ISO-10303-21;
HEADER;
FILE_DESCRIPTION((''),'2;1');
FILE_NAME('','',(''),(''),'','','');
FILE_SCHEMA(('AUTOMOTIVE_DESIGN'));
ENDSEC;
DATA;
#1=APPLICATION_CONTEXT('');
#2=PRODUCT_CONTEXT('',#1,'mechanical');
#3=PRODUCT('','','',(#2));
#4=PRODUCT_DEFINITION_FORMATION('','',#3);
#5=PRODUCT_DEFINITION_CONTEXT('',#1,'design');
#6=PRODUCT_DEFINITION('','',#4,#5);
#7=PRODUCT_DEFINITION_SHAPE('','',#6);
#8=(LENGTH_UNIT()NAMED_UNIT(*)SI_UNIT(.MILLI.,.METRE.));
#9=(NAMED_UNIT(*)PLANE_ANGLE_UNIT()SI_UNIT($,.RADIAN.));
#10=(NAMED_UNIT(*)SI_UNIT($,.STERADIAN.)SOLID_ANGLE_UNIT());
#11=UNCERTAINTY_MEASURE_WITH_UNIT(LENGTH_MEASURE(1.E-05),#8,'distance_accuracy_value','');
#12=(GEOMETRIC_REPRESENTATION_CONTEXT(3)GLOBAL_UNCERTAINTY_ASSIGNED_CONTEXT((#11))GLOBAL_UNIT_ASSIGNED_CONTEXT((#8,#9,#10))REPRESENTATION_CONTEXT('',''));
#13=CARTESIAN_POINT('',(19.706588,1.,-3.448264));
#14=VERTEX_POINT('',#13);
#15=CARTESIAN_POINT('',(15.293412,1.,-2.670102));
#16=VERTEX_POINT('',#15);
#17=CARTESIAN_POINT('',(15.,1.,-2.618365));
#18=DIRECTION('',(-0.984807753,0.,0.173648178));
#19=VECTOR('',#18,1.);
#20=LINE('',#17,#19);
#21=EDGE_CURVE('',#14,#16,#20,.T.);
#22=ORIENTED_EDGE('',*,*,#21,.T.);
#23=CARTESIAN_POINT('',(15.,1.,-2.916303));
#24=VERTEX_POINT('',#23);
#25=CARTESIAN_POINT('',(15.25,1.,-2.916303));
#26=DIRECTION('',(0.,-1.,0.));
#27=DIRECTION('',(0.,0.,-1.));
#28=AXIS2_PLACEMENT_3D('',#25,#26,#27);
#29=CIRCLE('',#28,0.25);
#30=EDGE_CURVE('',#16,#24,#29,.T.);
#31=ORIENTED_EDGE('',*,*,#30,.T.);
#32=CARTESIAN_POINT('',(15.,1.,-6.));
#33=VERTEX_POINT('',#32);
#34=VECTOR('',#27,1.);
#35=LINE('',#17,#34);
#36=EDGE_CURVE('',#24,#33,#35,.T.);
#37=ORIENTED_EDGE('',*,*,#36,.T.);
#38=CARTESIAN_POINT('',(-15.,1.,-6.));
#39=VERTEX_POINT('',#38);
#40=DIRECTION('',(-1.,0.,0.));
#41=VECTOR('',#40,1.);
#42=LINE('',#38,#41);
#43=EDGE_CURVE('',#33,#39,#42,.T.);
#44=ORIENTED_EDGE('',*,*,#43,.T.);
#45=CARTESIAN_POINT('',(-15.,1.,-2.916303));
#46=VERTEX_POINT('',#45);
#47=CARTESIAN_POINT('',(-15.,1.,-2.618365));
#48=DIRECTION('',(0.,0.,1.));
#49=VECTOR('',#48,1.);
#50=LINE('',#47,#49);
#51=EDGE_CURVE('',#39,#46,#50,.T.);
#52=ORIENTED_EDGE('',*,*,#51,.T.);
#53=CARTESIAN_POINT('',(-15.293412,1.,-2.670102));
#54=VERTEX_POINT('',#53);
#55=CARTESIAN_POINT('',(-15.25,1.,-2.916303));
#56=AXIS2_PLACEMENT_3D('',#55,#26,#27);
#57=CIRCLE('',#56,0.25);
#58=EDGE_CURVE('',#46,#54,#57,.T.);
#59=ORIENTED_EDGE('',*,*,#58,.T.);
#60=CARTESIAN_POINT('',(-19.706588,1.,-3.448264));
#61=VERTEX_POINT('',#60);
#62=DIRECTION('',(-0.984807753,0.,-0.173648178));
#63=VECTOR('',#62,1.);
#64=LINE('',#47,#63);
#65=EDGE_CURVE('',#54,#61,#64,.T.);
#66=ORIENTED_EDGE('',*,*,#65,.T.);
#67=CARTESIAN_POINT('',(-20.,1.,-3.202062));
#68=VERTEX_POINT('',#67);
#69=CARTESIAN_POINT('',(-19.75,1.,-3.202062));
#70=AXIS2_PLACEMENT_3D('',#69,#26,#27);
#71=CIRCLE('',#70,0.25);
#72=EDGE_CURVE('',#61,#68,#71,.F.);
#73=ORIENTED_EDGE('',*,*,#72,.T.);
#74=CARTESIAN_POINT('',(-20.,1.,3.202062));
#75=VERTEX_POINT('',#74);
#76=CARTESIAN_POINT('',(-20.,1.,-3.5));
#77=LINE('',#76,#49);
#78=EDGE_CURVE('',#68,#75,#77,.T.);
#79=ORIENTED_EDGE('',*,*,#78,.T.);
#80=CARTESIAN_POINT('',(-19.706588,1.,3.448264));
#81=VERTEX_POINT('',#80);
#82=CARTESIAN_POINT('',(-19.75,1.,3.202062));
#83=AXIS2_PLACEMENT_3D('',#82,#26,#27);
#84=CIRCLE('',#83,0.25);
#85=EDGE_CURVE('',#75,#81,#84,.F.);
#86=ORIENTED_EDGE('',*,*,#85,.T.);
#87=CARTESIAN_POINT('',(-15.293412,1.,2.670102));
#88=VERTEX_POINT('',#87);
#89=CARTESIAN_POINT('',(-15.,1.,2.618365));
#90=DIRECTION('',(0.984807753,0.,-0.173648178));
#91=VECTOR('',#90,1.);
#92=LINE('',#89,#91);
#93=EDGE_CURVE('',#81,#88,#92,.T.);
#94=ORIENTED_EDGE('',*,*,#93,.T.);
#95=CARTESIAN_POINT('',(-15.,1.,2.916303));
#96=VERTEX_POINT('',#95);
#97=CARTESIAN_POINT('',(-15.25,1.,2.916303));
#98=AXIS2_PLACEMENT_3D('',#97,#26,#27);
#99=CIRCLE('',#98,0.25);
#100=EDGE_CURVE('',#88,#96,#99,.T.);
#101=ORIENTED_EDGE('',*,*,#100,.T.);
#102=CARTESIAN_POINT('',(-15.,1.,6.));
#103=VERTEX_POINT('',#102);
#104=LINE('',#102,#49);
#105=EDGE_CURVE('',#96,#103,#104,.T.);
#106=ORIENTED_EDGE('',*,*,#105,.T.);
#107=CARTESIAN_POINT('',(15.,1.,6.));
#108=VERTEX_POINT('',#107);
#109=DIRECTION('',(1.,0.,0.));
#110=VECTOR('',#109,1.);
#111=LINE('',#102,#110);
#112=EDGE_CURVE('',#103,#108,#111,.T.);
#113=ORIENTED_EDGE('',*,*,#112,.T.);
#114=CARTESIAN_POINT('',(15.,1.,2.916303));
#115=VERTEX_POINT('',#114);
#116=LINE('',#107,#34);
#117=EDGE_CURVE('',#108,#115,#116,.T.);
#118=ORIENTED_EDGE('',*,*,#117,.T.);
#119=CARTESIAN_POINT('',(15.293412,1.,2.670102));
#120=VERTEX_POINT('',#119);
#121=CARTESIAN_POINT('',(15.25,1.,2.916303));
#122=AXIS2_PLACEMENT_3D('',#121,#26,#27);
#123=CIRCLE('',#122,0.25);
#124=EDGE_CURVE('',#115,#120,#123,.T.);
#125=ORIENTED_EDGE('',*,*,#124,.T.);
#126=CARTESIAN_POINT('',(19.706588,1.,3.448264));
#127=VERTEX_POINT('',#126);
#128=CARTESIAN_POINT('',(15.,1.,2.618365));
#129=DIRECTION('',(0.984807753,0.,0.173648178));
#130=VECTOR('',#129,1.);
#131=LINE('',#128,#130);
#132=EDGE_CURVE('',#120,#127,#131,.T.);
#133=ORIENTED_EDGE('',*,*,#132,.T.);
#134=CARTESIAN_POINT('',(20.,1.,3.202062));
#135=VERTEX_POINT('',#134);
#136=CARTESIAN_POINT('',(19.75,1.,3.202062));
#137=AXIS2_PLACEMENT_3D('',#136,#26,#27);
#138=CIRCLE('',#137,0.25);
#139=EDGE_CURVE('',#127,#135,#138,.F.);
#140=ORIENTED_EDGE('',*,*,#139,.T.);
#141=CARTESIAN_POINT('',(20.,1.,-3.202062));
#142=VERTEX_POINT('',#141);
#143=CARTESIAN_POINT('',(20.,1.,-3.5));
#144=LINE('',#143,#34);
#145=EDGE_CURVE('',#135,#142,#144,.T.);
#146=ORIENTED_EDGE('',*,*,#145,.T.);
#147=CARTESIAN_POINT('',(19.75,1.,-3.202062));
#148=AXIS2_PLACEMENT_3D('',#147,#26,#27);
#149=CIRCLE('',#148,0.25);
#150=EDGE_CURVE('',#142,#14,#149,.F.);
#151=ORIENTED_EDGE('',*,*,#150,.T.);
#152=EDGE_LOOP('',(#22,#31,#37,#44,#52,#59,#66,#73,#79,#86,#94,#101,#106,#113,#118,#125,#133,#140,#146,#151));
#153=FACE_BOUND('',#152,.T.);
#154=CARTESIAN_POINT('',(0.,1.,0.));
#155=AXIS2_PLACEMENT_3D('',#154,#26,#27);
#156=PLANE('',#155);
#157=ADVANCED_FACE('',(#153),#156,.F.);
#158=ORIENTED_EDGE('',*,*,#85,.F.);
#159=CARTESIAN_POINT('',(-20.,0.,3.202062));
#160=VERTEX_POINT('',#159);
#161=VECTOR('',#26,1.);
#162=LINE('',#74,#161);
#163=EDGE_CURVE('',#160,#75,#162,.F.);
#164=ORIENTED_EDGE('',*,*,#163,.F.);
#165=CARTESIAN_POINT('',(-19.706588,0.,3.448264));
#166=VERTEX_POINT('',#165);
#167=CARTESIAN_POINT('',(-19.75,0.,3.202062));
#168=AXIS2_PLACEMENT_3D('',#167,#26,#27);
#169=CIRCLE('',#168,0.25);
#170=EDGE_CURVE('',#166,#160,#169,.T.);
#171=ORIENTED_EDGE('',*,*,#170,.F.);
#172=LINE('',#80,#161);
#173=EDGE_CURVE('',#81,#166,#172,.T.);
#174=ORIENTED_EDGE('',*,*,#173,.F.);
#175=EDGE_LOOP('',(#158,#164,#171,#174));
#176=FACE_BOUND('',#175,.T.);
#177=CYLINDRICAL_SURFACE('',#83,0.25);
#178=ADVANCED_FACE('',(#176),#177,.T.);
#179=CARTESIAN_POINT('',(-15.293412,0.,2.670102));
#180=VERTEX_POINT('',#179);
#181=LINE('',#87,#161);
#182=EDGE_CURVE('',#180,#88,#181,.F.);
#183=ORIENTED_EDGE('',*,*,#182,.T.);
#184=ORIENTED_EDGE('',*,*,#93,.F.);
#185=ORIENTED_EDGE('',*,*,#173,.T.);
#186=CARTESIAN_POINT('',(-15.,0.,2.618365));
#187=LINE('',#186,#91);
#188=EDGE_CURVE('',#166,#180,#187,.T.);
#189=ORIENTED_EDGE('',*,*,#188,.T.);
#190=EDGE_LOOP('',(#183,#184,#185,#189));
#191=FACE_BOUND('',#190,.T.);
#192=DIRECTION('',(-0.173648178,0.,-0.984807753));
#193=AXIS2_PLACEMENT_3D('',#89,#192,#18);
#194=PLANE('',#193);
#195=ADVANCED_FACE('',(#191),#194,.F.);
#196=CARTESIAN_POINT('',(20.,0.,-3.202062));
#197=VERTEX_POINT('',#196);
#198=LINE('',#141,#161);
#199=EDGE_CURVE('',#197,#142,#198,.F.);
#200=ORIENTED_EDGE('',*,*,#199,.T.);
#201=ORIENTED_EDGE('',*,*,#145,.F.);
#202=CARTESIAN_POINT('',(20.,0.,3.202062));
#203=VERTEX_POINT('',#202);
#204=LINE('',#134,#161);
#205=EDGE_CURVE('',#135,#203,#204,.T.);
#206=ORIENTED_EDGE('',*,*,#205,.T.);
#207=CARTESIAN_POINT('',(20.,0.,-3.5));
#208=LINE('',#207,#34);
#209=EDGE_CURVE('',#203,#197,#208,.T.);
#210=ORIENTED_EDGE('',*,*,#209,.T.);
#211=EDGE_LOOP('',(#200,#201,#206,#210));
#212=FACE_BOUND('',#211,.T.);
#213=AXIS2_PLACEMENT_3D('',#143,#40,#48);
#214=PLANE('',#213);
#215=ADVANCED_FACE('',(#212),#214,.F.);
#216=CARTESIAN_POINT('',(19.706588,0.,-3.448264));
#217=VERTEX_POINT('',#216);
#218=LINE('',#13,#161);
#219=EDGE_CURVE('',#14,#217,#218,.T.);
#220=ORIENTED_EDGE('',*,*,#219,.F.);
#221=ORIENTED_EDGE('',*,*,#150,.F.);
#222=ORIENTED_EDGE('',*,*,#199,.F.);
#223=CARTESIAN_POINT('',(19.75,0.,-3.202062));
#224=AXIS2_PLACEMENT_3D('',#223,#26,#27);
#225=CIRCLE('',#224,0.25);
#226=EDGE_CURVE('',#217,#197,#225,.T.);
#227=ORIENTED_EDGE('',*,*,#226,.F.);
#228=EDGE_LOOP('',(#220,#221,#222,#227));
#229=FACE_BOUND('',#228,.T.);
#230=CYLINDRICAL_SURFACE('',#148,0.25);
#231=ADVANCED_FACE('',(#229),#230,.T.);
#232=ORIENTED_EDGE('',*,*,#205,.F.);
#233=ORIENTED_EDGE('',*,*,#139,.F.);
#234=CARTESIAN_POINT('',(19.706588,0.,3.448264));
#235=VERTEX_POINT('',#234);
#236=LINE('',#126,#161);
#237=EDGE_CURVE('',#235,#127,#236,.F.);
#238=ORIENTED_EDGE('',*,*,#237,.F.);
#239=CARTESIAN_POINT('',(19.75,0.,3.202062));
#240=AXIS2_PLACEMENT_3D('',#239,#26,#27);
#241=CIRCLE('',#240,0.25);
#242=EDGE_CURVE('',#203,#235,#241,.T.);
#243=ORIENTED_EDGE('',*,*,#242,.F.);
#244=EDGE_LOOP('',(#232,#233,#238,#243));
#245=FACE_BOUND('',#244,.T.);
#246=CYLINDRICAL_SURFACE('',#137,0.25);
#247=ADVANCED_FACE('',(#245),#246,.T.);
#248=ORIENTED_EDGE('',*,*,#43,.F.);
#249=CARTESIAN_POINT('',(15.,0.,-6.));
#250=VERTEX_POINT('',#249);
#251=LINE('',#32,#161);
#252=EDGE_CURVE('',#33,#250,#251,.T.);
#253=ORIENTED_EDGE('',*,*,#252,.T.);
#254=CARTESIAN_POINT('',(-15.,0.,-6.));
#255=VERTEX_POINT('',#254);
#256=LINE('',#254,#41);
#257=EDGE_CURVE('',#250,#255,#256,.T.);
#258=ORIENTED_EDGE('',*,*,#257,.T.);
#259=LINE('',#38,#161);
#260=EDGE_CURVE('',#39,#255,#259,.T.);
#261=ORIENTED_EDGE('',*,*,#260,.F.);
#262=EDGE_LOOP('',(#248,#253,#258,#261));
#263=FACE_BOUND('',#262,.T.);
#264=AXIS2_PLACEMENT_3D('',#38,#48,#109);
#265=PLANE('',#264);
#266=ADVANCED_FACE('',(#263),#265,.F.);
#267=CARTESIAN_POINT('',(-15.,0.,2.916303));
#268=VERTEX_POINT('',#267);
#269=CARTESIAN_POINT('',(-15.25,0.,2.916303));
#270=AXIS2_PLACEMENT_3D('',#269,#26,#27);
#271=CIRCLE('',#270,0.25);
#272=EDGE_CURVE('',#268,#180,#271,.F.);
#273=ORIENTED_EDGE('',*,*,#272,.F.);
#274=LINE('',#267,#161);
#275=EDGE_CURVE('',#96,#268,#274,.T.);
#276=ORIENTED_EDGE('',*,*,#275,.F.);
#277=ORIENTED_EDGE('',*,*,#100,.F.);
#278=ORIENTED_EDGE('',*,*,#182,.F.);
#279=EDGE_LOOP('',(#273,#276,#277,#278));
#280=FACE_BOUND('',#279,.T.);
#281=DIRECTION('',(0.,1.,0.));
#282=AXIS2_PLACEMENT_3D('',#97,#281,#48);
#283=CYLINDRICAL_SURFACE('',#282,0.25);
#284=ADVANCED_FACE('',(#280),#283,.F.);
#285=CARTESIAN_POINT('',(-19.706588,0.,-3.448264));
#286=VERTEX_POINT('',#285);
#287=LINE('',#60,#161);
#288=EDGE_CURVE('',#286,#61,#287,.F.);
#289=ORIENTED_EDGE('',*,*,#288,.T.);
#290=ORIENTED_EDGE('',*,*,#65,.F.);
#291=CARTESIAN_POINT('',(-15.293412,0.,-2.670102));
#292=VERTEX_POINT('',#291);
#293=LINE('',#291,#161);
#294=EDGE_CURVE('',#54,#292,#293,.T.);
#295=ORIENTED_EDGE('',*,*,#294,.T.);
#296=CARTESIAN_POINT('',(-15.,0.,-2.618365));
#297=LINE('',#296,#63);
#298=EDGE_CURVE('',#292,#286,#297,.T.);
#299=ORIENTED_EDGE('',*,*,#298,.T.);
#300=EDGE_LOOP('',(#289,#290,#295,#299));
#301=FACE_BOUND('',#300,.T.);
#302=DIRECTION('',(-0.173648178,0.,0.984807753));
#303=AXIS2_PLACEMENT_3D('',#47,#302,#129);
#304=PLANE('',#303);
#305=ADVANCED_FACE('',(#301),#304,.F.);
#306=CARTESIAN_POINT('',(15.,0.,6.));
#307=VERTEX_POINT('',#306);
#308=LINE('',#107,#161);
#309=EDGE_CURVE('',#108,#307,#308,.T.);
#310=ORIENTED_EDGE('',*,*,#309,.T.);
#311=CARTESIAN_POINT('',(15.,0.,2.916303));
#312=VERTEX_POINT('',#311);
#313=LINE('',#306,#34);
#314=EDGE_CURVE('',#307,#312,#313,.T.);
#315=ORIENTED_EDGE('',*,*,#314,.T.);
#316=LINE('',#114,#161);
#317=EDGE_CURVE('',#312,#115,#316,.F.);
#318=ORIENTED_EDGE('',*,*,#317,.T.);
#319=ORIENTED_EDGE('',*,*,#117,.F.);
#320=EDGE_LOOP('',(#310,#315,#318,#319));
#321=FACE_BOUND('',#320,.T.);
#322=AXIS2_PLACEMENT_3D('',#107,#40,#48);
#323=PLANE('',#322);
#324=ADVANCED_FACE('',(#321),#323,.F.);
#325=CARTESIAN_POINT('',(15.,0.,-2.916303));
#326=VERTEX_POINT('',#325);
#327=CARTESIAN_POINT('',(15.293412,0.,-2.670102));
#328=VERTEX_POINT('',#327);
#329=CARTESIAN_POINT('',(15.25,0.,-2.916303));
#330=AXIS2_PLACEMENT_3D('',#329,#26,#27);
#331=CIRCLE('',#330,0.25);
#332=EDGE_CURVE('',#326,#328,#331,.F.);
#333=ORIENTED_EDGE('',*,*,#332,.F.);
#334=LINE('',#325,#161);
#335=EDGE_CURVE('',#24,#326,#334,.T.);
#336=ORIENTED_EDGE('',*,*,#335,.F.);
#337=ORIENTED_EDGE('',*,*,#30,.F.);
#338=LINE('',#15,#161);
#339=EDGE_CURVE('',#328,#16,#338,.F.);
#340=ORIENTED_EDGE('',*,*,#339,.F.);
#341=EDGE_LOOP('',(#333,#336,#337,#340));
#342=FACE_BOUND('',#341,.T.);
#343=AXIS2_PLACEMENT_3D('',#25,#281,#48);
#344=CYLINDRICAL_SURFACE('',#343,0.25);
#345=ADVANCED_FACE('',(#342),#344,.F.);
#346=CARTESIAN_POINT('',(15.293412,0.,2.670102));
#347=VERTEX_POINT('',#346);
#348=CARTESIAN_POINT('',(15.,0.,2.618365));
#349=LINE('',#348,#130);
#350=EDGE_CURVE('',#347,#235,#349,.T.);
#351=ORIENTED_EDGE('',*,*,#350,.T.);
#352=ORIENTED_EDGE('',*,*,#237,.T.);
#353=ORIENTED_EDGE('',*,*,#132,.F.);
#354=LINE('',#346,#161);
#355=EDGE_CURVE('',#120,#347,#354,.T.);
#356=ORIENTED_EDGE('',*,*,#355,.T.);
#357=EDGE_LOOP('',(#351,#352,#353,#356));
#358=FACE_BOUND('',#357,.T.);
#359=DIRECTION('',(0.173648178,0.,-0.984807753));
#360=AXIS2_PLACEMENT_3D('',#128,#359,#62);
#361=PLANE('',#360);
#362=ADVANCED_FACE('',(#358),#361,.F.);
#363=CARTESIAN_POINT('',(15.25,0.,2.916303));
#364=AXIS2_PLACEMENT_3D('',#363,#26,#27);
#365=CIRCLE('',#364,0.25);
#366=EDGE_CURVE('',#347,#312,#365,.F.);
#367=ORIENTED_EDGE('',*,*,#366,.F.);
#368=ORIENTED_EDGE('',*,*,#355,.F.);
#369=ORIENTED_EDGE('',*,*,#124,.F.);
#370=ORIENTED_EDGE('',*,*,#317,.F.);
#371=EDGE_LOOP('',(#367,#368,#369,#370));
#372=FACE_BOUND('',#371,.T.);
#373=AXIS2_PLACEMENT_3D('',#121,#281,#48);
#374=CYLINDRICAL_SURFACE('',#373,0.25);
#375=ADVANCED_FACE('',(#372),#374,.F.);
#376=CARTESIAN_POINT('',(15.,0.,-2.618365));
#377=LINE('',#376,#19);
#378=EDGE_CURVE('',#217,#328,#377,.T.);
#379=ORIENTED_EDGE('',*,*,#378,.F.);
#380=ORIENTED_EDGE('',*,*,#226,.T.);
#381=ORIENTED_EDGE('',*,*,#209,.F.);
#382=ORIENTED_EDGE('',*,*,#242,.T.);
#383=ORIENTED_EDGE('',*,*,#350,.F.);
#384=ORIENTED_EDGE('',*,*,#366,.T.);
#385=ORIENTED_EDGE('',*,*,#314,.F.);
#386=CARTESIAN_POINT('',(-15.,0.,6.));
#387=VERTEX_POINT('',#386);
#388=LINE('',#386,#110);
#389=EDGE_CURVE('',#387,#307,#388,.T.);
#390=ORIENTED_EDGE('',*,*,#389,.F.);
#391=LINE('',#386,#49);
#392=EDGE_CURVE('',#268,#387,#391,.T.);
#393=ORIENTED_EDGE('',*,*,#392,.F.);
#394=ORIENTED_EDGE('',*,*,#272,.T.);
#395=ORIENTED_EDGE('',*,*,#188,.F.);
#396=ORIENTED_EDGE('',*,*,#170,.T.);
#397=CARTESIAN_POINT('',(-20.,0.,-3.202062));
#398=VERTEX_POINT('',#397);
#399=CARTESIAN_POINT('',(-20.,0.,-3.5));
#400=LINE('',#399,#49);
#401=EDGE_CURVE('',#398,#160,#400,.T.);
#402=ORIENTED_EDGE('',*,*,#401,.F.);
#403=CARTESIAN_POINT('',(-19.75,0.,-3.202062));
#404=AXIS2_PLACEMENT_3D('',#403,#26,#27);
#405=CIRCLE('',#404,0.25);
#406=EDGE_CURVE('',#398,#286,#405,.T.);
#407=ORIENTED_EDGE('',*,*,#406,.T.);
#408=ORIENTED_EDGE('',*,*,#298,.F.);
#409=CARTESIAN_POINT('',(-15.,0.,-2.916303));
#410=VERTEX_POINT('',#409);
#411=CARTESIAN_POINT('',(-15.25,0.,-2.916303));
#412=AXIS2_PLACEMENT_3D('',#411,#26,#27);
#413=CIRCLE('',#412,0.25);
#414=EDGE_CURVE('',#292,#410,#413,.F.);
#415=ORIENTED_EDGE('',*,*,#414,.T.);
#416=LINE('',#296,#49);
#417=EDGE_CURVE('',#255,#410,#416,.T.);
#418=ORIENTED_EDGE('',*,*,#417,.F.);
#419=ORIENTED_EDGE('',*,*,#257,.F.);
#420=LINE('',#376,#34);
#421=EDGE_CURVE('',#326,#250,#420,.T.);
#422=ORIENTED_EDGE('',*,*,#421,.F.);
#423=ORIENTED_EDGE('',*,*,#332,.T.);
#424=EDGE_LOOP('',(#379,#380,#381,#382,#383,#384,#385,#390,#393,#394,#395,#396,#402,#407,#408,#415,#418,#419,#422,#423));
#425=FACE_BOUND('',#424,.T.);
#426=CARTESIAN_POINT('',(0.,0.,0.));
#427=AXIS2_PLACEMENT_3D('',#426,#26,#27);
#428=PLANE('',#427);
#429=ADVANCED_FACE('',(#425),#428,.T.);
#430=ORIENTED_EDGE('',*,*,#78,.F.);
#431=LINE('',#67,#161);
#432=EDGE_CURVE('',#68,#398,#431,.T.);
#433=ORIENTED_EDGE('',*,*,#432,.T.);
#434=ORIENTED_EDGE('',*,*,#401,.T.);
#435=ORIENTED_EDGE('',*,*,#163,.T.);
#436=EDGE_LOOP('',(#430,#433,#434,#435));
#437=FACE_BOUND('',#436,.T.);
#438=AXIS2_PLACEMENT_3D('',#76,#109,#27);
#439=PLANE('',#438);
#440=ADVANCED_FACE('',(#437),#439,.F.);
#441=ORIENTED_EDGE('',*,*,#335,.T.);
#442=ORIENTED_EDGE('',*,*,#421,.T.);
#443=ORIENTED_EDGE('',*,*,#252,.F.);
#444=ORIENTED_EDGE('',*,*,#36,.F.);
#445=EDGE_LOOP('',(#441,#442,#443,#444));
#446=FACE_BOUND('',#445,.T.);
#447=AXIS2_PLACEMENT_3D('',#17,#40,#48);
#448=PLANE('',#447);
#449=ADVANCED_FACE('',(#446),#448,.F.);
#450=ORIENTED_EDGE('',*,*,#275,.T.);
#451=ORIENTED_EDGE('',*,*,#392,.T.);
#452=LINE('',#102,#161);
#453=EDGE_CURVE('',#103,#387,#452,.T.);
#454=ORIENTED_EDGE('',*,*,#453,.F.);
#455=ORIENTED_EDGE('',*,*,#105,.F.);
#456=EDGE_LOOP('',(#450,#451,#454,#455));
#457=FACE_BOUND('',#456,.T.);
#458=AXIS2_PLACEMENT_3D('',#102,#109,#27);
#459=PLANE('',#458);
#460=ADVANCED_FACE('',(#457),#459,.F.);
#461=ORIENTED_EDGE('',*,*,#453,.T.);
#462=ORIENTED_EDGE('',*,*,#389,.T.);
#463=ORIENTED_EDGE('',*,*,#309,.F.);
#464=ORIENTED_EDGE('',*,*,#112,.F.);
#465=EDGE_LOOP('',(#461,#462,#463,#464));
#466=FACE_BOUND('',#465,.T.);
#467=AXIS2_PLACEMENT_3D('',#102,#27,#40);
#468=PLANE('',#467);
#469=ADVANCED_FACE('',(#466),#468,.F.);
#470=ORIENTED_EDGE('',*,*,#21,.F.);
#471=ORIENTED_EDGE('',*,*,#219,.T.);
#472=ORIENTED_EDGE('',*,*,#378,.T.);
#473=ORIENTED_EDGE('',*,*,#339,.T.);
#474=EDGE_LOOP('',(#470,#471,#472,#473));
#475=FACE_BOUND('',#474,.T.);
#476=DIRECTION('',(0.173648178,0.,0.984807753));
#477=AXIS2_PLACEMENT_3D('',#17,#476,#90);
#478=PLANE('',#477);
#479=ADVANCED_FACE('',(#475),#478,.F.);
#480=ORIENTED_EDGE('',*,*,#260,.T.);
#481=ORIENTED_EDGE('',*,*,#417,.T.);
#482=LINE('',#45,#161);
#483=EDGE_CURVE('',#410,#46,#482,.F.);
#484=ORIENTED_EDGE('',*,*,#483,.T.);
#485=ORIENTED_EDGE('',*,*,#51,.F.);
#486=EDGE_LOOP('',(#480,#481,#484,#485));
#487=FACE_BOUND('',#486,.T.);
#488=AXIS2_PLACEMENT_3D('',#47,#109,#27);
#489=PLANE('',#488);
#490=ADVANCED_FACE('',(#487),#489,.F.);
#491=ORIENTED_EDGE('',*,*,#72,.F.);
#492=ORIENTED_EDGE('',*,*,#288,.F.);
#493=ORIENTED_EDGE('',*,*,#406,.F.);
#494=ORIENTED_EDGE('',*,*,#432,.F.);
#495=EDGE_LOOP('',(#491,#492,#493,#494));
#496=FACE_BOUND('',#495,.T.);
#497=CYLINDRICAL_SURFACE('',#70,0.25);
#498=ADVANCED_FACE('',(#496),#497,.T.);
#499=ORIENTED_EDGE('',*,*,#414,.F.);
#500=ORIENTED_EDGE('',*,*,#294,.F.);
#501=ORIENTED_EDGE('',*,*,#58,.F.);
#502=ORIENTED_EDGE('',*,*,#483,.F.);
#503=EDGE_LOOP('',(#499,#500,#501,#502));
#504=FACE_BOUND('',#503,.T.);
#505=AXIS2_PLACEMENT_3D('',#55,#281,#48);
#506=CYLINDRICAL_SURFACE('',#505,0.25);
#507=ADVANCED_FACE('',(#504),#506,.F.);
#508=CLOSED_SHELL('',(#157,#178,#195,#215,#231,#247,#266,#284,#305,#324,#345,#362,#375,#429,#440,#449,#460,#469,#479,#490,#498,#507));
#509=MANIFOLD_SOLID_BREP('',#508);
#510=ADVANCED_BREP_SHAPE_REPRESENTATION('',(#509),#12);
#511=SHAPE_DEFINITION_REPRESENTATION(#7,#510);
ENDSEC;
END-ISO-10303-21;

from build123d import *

# Parameters (mm, degrees)
BOSS_EXTRUDE1_DEPTH = 1
FILLET1_R           = 0.25


with BuildPart() as part:
    # Sketch1 → Boss-Extrude1 (new body)
    with BuildSketch(Plane(origin=(0, 0, 0), x_dir=(1, 0, 0), z_dir=(0, 1, 0))):
        Polygon((-15, 2.618365096), (-20, 3.5), (-20, -3.5), (-15, -2.618365096), (-15, -6), (15, -6), (15, -2.618365096), (20, -3.5), (20, 3.5), (15, 2.618365096), (15, 6), (-15, 6), align=None)
    extrude(amount=BOSS_EXTRUDE1_DEPTH)

    # Fillet1
    fillet1_edges = [part.edges().sort_by_distance(p)[0] for p in [
        (15, 0.5, -2.618365096),
        (20, 0.5, -3.5),
        (20, 0.5, 3.5),
        (15, 0.5, 2.618365096),
        (-15, 0.5, 2.618365096),
        (-20, 0.5, 3.5),
        (-20, 0.5, -3.5),
        (-15, 0.5, -2.618365096),
    ]]
    fillet(fillet1_edges, radius=FILLET1_R)


solid = part.part
